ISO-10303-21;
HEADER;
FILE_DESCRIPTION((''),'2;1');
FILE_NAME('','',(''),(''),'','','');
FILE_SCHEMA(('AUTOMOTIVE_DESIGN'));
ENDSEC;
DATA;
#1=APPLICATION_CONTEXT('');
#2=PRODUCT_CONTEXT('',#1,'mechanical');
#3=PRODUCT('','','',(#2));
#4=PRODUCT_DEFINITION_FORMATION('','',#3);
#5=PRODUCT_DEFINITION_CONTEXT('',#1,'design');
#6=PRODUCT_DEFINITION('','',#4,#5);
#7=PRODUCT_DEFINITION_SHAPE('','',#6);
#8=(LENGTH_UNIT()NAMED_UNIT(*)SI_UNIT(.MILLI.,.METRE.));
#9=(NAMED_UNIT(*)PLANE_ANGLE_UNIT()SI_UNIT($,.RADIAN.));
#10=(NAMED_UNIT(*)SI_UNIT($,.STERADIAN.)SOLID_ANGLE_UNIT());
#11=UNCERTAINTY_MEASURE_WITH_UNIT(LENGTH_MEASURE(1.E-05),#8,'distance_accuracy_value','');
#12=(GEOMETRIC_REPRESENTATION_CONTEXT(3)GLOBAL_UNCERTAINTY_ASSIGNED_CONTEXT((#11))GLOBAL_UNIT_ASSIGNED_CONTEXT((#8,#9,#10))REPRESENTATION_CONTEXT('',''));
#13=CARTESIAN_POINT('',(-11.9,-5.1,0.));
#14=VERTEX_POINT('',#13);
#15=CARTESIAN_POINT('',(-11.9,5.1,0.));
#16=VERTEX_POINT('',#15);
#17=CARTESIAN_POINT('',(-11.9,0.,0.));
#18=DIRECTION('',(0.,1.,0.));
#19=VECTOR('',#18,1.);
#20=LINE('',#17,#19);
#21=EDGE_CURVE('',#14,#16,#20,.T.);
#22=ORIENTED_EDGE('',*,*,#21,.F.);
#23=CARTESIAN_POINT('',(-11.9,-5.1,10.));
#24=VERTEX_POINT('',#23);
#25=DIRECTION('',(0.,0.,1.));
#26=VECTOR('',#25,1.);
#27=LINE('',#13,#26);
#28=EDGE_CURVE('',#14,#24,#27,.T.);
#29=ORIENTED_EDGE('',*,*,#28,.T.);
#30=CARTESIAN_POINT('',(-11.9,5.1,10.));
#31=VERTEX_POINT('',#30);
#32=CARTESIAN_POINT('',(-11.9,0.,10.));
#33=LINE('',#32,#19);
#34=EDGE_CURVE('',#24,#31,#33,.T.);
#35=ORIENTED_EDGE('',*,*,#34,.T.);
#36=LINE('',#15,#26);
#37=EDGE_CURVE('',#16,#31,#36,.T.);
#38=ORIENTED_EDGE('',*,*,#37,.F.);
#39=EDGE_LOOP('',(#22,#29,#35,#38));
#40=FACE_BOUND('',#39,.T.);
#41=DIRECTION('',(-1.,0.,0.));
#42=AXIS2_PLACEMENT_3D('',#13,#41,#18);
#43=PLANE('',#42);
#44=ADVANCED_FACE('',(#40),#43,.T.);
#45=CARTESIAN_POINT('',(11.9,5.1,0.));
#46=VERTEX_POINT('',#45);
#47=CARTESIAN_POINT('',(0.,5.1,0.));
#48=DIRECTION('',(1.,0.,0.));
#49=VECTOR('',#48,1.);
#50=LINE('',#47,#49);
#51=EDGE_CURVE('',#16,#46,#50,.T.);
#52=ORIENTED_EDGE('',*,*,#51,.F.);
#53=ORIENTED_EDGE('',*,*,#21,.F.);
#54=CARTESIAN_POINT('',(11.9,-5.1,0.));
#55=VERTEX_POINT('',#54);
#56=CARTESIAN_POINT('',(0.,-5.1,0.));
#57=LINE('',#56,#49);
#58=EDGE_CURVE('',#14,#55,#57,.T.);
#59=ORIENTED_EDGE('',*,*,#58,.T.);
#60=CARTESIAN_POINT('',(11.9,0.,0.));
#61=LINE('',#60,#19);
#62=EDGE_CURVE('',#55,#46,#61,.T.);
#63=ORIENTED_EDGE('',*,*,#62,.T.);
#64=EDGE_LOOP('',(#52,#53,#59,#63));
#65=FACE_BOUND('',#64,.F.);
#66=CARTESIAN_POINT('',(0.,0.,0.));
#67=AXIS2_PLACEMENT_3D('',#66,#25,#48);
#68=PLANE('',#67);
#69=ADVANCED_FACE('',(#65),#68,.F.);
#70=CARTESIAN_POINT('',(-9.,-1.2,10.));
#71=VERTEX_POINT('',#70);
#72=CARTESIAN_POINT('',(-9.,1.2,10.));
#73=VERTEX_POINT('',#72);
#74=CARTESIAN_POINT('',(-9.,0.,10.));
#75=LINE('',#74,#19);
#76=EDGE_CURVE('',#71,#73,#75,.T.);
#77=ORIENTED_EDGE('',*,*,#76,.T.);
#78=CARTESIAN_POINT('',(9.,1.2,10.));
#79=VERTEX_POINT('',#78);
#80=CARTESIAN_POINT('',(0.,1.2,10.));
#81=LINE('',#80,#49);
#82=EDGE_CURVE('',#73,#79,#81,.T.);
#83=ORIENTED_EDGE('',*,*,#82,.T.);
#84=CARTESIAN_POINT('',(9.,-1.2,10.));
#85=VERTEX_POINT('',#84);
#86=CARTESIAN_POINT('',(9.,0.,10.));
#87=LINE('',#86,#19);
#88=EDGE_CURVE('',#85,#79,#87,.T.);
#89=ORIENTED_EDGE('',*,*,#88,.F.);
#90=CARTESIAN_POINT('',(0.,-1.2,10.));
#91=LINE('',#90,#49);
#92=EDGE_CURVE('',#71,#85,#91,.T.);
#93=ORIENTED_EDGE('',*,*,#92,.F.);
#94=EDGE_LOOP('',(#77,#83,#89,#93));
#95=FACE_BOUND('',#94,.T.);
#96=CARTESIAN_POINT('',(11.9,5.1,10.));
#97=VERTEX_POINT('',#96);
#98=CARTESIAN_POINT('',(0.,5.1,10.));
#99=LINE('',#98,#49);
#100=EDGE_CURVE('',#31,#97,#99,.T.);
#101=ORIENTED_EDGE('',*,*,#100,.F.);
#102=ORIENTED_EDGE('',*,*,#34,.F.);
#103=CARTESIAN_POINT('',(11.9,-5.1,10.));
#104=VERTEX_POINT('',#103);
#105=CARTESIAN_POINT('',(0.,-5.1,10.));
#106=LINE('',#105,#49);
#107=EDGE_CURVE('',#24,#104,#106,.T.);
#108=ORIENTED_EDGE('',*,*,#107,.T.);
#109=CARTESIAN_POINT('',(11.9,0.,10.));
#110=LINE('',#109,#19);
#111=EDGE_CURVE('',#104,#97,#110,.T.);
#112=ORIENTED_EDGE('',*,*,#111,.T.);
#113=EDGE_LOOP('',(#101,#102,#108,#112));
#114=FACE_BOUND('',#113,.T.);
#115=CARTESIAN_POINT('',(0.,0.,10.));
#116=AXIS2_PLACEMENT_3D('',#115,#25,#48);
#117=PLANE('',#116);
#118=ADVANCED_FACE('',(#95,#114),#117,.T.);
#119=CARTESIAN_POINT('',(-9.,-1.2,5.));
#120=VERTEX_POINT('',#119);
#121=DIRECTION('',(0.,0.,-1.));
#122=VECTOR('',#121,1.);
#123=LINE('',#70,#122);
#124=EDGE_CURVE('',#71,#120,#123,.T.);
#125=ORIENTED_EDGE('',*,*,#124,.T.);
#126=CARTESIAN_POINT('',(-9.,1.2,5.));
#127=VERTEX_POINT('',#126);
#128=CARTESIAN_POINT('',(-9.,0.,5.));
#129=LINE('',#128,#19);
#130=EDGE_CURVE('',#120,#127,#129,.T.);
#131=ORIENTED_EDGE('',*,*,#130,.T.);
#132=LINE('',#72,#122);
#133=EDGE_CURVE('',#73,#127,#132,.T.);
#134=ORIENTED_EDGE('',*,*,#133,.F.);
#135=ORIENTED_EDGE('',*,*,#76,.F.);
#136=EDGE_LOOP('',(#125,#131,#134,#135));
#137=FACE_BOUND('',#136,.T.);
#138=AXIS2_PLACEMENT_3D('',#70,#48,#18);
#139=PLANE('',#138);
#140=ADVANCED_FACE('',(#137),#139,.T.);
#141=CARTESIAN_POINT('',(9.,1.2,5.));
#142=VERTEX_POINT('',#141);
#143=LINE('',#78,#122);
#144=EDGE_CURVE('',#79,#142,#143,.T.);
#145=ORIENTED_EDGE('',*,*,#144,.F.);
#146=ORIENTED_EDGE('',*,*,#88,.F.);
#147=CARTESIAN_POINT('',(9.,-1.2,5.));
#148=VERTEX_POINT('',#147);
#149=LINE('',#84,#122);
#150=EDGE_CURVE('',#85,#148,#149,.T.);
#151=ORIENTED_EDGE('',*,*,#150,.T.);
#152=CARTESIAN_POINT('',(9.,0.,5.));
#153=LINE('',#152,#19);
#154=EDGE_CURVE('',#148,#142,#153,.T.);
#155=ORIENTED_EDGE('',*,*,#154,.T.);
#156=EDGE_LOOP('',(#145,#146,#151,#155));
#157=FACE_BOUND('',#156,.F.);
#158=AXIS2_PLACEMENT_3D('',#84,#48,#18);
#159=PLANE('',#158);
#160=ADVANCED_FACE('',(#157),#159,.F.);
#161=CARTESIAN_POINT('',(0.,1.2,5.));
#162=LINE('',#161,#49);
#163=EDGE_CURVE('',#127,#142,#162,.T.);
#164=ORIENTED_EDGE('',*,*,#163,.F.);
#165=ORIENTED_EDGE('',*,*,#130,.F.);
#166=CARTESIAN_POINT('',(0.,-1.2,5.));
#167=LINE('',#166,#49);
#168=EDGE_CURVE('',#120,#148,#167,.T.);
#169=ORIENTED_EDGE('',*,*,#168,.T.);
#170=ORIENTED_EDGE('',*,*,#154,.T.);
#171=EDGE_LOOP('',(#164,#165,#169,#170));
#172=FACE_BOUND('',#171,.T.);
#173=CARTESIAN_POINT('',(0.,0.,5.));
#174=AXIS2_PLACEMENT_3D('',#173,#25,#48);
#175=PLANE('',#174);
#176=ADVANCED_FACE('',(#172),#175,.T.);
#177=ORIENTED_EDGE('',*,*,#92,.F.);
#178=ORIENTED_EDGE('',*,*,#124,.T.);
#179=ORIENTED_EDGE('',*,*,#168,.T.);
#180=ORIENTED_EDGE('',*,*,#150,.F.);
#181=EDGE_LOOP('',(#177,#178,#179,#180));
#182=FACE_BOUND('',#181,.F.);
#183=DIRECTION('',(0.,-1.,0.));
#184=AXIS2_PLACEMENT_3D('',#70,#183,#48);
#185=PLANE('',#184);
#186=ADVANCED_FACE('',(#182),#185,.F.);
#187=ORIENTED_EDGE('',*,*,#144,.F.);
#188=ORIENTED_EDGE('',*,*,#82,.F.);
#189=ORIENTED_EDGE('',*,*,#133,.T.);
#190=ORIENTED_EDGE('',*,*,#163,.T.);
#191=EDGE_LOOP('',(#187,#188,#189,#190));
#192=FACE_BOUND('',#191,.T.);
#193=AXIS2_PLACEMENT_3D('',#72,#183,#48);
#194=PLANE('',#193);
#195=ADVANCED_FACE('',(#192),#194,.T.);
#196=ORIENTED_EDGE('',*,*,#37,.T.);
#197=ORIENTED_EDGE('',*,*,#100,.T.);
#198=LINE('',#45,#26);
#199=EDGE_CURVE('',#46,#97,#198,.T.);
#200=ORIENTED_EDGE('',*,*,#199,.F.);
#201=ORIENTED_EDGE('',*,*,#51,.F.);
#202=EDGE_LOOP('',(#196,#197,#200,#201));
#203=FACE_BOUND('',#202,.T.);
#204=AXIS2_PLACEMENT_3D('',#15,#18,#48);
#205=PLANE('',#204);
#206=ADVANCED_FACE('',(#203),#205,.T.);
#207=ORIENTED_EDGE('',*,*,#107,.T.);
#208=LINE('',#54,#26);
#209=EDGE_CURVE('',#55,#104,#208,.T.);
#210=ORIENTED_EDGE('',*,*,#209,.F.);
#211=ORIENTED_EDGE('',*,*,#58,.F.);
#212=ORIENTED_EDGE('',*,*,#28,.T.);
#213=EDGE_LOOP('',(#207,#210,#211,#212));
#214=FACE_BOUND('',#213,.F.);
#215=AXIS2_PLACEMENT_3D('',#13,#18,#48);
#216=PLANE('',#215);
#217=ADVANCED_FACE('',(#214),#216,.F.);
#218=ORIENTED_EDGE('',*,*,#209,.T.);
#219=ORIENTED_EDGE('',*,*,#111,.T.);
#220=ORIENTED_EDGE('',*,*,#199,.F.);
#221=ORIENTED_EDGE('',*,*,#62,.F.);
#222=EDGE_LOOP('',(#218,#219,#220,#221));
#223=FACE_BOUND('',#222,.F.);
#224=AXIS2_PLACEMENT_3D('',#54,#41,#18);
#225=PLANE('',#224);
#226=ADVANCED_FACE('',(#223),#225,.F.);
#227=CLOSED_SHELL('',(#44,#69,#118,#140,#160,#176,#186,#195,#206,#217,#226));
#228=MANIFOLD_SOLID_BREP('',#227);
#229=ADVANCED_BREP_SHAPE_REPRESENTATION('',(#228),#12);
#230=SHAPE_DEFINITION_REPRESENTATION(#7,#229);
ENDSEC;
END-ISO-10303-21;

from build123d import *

# Parameters (mm, degrees)
SKETCH001_W      = 18
SKETCH001_H      = 2.4
EXTRUDE001_DEPTH = 5
SKETCH_W         = 23.8
SKETCH_H         = 10.2
EXTRUDE_DEPTH    = 10


with BuildPart() as extrude001:
    # Sketch001 (on Face6 of Extrude) → Extrude001 (new body)
    with BuildSketch(Plane.XY.offset(10)):
        Rectangle(SKETCH001_W, SKETCH001_H)
    extrude(amount=-EXTRUDE001_DEPTH)


with BuildPart() as cut:
    # Sketch → Extrude (new body)
    with BuildSketch(Plane.XY):
        Rectangle(SKETCH_W, SKETCH_H)
    extrude(amount=EXTRUDE_DEPTH)

    # Cut: cut Extrude001
    add(extrude001.part, mode=Mode.SUBTRACT)


solid = cut.part
